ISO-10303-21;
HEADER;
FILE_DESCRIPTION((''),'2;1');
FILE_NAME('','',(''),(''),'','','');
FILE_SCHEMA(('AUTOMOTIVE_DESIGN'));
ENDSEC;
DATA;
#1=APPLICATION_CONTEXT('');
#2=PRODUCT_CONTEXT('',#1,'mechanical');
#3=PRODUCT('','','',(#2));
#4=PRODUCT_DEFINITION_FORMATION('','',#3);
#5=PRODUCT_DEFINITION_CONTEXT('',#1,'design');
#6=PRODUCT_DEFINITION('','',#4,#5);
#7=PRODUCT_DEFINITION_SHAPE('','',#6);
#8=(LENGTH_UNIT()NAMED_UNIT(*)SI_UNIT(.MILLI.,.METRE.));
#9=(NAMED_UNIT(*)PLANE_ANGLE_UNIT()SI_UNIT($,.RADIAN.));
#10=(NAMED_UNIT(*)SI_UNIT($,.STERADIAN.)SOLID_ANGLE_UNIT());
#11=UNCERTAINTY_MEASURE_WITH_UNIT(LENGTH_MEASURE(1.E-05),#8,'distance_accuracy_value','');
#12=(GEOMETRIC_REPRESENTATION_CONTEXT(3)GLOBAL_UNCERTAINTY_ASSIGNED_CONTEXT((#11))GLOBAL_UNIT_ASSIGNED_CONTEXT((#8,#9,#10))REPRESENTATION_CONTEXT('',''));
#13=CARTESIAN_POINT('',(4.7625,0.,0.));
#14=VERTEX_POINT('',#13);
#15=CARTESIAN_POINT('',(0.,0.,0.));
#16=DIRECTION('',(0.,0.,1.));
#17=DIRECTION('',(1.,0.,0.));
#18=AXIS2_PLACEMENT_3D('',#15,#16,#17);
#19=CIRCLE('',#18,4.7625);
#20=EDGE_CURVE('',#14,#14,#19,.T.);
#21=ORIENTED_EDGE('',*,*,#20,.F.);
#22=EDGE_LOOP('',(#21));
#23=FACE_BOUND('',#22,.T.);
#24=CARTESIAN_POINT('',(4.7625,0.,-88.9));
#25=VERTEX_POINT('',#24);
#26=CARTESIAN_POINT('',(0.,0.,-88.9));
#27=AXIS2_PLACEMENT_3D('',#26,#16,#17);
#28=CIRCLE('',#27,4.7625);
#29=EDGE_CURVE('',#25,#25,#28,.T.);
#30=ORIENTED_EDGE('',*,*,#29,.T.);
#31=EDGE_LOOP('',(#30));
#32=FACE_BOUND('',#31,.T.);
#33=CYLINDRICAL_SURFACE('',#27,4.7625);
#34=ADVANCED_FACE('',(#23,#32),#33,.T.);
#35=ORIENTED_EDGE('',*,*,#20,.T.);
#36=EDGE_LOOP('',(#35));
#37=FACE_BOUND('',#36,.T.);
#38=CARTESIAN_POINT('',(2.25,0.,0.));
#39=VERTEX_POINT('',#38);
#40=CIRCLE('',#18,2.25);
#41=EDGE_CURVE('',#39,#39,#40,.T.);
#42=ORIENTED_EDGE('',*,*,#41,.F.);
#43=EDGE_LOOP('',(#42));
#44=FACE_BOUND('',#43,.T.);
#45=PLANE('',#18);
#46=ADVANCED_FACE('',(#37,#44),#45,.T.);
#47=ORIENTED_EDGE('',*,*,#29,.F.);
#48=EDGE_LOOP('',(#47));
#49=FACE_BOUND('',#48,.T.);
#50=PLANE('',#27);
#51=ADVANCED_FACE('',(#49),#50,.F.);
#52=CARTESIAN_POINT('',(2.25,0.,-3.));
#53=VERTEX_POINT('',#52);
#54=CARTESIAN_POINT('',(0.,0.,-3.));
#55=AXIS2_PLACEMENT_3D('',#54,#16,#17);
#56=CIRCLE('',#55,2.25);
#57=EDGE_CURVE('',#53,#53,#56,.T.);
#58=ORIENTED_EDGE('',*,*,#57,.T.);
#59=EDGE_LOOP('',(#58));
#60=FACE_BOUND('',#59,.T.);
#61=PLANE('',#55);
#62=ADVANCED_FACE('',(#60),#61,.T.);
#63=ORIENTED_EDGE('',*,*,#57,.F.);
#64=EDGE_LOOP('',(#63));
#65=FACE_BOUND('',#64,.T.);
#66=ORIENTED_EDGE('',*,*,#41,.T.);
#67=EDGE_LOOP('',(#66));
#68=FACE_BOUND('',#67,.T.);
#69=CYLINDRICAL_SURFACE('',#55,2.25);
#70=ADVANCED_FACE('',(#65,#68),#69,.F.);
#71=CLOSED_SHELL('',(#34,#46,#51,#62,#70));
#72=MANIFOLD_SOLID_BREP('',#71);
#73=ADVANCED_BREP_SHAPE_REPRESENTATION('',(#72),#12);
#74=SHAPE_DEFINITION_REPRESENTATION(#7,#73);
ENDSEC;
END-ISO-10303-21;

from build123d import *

# Parameters (mm, degrees)
SKETCH1_R           = 4.7625
BOSS_EXTRUDE1_DEPTH = 88.9
SKETCH2_R           = 2.25
CUT_EXTRUDE1_DEPTH  = 3


with BuildPart() as part:
    # Sketch1 → Boss-Extrude1 (new body)
    with BuildSketch(Plane.XY):
        Circle(SKETCH1_R)
    extrude(amount=-BOSS_EXTRUDE1_DEPTH)

    # Sketch2 → Cut-Extrude1 (cut)
    with BuildSketch(Plane.XY):
        Circle(SKETCH2_R)
    extrude(amount=-CUT_EXTRUDE1_DEPTH, mode=Mode.SUBTRACT)


solid = part.part
